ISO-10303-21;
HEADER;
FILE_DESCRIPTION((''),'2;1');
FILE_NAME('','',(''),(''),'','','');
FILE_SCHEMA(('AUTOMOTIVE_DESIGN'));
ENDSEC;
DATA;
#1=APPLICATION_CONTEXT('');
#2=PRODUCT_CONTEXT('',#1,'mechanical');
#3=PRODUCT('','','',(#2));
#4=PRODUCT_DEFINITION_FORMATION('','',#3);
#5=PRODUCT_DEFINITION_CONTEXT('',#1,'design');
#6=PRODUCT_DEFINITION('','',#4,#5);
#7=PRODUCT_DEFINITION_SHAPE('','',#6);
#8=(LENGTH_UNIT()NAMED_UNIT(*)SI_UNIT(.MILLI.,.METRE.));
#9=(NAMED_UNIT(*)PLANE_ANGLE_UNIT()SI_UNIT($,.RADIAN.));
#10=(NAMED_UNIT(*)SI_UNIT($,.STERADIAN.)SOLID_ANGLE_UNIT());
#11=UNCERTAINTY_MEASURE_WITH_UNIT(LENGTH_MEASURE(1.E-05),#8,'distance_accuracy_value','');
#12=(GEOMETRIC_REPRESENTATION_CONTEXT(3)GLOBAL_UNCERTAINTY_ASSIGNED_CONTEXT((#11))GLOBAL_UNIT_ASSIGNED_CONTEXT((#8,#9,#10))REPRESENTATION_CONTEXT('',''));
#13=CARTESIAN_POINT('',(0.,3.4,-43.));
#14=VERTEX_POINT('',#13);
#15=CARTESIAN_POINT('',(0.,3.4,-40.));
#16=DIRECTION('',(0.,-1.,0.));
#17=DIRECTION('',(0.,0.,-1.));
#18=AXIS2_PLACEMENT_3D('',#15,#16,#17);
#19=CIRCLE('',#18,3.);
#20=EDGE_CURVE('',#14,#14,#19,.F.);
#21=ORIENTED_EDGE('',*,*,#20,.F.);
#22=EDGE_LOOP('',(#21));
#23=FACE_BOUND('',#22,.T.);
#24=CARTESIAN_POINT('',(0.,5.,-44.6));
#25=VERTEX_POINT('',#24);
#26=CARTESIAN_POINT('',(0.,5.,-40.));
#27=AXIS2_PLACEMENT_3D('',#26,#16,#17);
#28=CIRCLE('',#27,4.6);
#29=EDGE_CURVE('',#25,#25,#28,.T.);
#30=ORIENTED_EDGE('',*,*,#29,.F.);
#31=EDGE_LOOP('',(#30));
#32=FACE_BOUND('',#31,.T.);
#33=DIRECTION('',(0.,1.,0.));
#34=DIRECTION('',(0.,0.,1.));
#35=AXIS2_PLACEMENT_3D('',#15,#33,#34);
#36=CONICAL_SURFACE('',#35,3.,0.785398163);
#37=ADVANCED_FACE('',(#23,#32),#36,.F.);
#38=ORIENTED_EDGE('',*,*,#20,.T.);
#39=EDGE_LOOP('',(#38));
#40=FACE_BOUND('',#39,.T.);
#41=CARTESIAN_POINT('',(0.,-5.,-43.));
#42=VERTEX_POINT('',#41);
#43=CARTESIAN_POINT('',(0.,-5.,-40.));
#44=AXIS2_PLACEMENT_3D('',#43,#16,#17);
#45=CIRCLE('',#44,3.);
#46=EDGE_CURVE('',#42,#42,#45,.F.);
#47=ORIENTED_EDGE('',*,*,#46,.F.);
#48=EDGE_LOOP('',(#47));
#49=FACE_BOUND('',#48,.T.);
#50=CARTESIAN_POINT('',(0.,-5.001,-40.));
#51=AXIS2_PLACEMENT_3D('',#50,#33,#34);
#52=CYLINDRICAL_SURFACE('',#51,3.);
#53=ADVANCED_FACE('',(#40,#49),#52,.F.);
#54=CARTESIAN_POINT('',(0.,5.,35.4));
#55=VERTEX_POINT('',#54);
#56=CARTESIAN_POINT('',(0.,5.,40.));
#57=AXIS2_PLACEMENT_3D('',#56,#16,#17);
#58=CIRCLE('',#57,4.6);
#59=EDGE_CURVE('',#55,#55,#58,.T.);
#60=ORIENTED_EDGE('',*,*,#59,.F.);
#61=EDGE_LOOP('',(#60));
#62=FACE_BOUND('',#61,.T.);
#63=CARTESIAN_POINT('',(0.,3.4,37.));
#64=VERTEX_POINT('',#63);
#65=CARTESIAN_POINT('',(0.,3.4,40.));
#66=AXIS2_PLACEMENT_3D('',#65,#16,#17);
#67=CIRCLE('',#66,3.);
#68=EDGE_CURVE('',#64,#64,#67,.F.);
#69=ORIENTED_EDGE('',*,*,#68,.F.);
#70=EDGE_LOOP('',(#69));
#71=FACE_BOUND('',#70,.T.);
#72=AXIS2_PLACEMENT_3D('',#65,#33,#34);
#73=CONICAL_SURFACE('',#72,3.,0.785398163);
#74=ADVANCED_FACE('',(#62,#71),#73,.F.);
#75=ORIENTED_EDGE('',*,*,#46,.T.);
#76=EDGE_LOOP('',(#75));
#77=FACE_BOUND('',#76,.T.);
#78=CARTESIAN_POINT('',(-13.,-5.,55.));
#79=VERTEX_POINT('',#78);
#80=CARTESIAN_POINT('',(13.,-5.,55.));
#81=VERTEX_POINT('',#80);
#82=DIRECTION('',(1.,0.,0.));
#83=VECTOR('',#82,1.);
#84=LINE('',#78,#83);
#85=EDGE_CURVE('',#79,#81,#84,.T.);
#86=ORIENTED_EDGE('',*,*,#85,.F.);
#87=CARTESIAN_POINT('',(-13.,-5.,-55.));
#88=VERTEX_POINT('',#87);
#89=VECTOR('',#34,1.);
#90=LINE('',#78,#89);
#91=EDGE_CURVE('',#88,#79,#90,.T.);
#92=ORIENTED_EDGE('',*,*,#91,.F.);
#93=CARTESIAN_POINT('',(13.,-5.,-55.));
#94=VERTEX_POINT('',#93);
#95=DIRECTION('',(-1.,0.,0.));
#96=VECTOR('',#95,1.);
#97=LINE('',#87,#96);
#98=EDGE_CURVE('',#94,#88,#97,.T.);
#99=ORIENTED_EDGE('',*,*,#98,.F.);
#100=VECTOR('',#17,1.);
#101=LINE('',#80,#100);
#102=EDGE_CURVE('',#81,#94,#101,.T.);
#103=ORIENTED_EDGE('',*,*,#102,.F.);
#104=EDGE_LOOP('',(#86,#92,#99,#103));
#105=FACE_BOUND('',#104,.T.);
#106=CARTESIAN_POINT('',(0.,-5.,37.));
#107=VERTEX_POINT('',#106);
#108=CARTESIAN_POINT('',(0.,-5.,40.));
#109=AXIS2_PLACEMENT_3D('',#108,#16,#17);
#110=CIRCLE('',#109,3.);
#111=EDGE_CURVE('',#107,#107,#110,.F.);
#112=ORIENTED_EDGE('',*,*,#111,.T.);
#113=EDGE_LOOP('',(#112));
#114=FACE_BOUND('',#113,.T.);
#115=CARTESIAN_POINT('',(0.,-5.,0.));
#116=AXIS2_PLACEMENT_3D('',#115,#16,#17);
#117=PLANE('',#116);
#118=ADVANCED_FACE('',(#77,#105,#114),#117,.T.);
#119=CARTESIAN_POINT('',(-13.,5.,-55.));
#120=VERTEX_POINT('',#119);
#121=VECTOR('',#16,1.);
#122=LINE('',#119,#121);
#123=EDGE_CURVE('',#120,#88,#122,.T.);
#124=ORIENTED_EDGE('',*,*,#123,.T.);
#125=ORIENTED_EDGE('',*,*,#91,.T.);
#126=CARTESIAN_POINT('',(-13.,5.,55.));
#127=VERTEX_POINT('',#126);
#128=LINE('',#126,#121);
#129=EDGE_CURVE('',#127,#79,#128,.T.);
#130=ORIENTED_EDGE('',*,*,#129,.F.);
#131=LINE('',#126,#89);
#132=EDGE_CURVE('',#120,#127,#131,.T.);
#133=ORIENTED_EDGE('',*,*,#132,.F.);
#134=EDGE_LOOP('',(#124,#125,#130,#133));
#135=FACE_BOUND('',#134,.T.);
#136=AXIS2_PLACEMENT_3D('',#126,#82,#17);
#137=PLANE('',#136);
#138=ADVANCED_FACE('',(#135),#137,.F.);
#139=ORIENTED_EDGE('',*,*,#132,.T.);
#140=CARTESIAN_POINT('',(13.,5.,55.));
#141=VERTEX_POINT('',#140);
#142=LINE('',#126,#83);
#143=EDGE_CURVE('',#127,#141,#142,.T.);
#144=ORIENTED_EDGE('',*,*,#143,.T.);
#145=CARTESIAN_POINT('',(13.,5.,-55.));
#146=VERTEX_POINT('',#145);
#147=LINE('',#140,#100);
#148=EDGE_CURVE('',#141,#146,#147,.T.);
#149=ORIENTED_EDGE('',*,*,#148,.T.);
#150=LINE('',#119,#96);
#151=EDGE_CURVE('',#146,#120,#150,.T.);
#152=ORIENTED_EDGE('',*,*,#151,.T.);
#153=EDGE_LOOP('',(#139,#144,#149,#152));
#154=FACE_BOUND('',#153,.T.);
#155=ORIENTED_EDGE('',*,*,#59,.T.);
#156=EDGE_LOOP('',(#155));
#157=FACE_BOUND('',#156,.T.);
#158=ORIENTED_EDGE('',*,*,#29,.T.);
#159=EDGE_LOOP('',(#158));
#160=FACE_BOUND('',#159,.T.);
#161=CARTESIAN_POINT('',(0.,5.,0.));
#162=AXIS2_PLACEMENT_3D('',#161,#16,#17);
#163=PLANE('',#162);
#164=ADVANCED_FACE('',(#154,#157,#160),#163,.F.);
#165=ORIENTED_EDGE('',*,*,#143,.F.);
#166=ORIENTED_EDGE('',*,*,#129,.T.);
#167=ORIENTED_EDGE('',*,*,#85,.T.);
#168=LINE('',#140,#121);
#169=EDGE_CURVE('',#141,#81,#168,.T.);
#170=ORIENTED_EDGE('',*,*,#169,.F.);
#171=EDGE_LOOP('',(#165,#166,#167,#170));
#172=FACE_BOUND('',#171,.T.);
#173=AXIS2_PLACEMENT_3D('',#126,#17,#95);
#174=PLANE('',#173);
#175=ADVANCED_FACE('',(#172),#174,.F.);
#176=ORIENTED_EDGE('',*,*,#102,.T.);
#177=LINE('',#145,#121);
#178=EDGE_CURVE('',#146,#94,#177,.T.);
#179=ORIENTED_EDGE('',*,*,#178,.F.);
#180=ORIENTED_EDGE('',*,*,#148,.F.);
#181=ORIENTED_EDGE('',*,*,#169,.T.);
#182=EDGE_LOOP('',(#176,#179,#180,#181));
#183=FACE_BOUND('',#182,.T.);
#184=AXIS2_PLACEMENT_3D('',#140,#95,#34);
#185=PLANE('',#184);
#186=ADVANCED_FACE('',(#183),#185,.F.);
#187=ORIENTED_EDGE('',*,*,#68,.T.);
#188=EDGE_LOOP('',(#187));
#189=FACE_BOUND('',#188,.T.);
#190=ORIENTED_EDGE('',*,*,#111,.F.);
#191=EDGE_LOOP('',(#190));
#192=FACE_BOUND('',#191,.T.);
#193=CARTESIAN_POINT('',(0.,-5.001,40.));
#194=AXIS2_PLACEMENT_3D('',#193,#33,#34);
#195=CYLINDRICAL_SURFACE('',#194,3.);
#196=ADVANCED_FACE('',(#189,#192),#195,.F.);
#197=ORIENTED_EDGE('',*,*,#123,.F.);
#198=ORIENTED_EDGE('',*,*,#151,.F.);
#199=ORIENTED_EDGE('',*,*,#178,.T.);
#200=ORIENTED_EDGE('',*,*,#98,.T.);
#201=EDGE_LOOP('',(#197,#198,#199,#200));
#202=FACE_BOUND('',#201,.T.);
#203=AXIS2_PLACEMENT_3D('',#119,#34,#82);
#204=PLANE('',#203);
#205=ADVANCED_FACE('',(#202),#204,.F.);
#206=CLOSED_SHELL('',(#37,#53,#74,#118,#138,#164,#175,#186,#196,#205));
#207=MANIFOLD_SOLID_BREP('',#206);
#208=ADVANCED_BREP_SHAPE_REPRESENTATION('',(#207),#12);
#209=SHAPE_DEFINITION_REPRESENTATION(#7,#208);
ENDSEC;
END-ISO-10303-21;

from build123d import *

# Parameters (mm, degrees)
SKETCH_2_W          = 26
SKETCH_2_H          = 110
EXTRUDE_1_DEPTH     = 5
CUT_EXTRUDE_1_REACH = 59.393
SKETCH_3_R          = 3
CHAMFER_1_SIZE      = 1.6


with BuildPart() as part:
    # Эскиз2 → Бобышка-Вытянуть1 (new, symmetric)
    with BuildSketch(Plane(origin=(0, 0, 0), x_dir=(1, 0, 0), z_dir=(0, 1, 0))):
        Rectangle(SKETCH_2_W, SKETCH_2_H)
    extrude(amount=EXTRUDE_1_DEPTH, both=True)

    # Эскиз3 → Вырез-Вытянуть1 (cut, up to next)
    with BuildSketch(Plane(origin=(0, 5, 0), x_dir=(1, 0, 0), z_dir=(0, 1, 0)), mode=Mode.PRIVATE) as cut_extrude_1_sk1:
        with Locations(Location((0, 40, 0), (0, 0, 270))):
            Circle(SKETCH_3_R)
    cut_extrude_1_tool1 = extrude(cut_extrude_1_sk1.sketch, amount=-CUT_EXTRUDE_1_REACH, mode=Mode.PRIVATE) & part.part
    # Эскиз3 → Вырез-Вытянуть1 (cut, up to next)
    with BuildSketch(Plane(origin=(0, 5, 0), x_dir=(1, 0, 0), z_dir=(0, 1, 0)), mode=Mode.PRIVATE) as cut_extrude_1_sk2:
        with Locations(Location((0, -40, 0), (0, 0, 270))):
            Circle(SKETCH_3_R)
    cut_extrude_1_tool2 = extrude(cut_extrude_1_sk2.sketch, amount=-CUT_EXTRUDE_1_REACH, mode=Mode.PRIVATE) & part.part
    add(cut_extrude_1_tool1.solids().sort_by_distance((0, 5, -40))[0], mode=Mode.SUBTRACT)
    add(cut_extrude_1_tool2.solids().sort_by_distance((0, 5, 40))[0], mode=Mode.SUBTRACT)

    # Фаска1
    chamfer_1_edges = [part.edges().sort_by_distance(p)[0] for p in [
        (0, 5, -43),
        (0, 5, 37),
    ]]
    chamfer(chamfer_1_edges, length=CHAMFER_1_SIZE)


solid = part.part
